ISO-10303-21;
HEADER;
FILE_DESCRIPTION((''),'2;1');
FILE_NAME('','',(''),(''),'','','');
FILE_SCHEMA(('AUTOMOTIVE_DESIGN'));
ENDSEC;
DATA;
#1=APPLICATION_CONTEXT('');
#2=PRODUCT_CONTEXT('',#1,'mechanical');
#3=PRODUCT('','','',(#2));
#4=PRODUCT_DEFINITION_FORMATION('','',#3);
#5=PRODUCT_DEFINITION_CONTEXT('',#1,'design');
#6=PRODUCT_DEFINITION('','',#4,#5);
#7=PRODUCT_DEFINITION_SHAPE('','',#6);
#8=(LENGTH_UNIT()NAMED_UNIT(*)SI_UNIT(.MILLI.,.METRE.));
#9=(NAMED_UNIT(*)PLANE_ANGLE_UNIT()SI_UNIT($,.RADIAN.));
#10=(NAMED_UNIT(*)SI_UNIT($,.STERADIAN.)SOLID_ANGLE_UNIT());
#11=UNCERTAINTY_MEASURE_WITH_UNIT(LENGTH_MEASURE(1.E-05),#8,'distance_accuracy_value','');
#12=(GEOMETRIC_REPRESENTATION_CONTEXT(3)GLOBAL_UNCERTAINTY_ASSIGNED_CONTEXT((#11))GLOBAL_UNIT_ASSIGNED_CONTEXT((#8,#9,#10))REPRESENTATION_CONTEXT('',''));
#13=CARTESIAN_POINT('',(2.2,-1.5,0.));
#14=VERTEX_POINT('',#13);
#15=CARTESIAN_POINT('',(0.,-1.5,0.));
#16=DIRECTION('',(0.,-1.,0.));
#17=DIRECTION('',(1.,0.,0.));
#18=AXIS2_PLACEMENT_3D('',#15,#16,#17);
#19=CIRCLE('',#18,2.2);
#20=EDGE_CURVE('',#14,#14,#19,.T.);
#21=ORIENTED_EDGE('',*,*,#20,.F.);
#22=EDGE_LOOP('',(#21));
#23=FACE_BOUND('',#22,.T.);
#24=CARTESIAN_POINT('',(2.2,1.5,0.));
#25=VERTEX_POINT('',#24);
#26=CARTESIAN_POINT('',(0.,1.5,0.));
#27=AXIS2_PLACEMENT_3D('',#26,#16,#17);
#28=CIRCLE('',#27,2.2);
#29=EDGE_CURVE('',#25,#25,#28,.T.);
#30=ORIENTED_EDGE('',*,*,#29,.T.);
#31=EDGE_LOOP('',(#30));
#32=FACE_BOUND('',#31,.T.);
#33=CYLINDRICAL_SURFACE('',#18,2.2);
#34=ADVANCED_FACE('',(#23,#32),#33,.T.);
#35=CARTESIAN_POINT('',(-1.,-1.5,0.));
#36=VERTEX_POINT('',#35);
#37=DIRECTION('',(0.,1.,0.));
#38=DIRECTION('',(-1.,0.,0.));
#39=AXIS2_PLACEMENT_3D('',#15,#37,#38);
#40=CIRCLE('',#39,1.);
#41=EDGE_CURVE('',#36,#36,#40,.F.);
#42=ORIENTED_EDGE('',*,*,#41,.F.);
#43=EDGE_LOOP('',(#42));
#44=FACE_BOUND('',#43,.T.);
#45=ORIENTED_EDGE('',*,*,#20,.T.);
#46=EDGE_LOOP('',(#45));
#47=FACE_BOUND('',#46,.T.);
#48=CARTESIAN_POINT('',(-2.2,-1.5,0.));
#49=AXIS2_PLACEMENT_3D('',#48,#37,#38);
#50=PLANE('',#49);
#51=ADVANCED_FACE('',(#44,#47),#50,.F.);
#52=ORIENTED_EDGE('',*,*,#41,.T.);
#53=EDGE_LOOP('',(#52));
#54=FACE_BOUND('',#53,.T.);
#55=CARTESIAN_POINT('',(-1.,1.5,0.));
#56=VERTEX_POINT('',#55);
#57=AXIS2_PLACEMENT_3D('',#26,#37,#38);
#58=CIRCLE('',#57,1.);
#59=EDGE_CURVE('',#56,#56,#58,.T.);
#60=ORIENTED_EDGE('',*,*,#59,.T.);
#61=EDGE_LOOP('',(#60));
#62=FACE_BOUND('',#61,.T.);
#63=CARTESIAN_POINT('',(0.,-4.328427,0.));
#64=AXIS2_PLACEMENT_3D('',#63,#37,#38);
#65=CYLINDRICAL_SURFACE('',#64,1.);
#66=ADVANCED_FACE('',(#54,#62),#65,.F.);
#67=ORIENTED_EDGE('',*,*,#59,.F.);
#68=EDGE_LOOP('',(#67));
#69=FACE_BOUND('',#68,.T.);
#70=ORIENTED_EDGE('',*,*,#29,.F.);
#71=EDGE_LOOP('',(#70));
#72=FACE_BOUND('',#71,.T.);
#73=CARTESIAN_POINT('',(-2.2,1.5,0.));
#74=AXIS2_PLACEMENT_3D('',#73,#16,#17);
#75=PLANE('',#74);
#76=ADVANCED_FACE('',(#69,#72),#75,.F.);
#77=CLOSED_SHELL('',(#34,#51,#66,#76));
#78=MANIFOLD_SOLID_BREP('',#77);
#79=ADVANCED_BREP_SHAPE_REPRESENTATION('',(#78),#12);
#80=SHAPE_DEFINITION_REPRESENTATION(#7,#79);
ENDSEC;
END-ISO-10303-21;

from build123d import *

# Parameters (mm, degrees)
SKETCH1_W         = 2.2
SKETCH1_H         = 3
SKETCH2_R         = 1
TENDON_HOLE_DEPTH = 3


with BuildPart() as part:
    # Sketch1 → main body (revolve)
    with BuildSketch(Plane.XY):
        with Locations((-1.1, 0)):
            Rectangle(SKETCH1_W, SKETCH1_H)
    revolve(axis=Axis((0, -1.5, 0), (0, 1, 0)))

    # Sketch2 → tendon hole (cut)
    with BuildSketch(Plane(origin=(0, 1.5, 0), x_dir=(1, 0, 0), z_dir=(0, 1, 0))):
        Circle(SKETCH2_R)
    extrude(amount=-TENDON_HOLE_DEPTH, mode=Mode.SUBTRACT)


solid = part.part
